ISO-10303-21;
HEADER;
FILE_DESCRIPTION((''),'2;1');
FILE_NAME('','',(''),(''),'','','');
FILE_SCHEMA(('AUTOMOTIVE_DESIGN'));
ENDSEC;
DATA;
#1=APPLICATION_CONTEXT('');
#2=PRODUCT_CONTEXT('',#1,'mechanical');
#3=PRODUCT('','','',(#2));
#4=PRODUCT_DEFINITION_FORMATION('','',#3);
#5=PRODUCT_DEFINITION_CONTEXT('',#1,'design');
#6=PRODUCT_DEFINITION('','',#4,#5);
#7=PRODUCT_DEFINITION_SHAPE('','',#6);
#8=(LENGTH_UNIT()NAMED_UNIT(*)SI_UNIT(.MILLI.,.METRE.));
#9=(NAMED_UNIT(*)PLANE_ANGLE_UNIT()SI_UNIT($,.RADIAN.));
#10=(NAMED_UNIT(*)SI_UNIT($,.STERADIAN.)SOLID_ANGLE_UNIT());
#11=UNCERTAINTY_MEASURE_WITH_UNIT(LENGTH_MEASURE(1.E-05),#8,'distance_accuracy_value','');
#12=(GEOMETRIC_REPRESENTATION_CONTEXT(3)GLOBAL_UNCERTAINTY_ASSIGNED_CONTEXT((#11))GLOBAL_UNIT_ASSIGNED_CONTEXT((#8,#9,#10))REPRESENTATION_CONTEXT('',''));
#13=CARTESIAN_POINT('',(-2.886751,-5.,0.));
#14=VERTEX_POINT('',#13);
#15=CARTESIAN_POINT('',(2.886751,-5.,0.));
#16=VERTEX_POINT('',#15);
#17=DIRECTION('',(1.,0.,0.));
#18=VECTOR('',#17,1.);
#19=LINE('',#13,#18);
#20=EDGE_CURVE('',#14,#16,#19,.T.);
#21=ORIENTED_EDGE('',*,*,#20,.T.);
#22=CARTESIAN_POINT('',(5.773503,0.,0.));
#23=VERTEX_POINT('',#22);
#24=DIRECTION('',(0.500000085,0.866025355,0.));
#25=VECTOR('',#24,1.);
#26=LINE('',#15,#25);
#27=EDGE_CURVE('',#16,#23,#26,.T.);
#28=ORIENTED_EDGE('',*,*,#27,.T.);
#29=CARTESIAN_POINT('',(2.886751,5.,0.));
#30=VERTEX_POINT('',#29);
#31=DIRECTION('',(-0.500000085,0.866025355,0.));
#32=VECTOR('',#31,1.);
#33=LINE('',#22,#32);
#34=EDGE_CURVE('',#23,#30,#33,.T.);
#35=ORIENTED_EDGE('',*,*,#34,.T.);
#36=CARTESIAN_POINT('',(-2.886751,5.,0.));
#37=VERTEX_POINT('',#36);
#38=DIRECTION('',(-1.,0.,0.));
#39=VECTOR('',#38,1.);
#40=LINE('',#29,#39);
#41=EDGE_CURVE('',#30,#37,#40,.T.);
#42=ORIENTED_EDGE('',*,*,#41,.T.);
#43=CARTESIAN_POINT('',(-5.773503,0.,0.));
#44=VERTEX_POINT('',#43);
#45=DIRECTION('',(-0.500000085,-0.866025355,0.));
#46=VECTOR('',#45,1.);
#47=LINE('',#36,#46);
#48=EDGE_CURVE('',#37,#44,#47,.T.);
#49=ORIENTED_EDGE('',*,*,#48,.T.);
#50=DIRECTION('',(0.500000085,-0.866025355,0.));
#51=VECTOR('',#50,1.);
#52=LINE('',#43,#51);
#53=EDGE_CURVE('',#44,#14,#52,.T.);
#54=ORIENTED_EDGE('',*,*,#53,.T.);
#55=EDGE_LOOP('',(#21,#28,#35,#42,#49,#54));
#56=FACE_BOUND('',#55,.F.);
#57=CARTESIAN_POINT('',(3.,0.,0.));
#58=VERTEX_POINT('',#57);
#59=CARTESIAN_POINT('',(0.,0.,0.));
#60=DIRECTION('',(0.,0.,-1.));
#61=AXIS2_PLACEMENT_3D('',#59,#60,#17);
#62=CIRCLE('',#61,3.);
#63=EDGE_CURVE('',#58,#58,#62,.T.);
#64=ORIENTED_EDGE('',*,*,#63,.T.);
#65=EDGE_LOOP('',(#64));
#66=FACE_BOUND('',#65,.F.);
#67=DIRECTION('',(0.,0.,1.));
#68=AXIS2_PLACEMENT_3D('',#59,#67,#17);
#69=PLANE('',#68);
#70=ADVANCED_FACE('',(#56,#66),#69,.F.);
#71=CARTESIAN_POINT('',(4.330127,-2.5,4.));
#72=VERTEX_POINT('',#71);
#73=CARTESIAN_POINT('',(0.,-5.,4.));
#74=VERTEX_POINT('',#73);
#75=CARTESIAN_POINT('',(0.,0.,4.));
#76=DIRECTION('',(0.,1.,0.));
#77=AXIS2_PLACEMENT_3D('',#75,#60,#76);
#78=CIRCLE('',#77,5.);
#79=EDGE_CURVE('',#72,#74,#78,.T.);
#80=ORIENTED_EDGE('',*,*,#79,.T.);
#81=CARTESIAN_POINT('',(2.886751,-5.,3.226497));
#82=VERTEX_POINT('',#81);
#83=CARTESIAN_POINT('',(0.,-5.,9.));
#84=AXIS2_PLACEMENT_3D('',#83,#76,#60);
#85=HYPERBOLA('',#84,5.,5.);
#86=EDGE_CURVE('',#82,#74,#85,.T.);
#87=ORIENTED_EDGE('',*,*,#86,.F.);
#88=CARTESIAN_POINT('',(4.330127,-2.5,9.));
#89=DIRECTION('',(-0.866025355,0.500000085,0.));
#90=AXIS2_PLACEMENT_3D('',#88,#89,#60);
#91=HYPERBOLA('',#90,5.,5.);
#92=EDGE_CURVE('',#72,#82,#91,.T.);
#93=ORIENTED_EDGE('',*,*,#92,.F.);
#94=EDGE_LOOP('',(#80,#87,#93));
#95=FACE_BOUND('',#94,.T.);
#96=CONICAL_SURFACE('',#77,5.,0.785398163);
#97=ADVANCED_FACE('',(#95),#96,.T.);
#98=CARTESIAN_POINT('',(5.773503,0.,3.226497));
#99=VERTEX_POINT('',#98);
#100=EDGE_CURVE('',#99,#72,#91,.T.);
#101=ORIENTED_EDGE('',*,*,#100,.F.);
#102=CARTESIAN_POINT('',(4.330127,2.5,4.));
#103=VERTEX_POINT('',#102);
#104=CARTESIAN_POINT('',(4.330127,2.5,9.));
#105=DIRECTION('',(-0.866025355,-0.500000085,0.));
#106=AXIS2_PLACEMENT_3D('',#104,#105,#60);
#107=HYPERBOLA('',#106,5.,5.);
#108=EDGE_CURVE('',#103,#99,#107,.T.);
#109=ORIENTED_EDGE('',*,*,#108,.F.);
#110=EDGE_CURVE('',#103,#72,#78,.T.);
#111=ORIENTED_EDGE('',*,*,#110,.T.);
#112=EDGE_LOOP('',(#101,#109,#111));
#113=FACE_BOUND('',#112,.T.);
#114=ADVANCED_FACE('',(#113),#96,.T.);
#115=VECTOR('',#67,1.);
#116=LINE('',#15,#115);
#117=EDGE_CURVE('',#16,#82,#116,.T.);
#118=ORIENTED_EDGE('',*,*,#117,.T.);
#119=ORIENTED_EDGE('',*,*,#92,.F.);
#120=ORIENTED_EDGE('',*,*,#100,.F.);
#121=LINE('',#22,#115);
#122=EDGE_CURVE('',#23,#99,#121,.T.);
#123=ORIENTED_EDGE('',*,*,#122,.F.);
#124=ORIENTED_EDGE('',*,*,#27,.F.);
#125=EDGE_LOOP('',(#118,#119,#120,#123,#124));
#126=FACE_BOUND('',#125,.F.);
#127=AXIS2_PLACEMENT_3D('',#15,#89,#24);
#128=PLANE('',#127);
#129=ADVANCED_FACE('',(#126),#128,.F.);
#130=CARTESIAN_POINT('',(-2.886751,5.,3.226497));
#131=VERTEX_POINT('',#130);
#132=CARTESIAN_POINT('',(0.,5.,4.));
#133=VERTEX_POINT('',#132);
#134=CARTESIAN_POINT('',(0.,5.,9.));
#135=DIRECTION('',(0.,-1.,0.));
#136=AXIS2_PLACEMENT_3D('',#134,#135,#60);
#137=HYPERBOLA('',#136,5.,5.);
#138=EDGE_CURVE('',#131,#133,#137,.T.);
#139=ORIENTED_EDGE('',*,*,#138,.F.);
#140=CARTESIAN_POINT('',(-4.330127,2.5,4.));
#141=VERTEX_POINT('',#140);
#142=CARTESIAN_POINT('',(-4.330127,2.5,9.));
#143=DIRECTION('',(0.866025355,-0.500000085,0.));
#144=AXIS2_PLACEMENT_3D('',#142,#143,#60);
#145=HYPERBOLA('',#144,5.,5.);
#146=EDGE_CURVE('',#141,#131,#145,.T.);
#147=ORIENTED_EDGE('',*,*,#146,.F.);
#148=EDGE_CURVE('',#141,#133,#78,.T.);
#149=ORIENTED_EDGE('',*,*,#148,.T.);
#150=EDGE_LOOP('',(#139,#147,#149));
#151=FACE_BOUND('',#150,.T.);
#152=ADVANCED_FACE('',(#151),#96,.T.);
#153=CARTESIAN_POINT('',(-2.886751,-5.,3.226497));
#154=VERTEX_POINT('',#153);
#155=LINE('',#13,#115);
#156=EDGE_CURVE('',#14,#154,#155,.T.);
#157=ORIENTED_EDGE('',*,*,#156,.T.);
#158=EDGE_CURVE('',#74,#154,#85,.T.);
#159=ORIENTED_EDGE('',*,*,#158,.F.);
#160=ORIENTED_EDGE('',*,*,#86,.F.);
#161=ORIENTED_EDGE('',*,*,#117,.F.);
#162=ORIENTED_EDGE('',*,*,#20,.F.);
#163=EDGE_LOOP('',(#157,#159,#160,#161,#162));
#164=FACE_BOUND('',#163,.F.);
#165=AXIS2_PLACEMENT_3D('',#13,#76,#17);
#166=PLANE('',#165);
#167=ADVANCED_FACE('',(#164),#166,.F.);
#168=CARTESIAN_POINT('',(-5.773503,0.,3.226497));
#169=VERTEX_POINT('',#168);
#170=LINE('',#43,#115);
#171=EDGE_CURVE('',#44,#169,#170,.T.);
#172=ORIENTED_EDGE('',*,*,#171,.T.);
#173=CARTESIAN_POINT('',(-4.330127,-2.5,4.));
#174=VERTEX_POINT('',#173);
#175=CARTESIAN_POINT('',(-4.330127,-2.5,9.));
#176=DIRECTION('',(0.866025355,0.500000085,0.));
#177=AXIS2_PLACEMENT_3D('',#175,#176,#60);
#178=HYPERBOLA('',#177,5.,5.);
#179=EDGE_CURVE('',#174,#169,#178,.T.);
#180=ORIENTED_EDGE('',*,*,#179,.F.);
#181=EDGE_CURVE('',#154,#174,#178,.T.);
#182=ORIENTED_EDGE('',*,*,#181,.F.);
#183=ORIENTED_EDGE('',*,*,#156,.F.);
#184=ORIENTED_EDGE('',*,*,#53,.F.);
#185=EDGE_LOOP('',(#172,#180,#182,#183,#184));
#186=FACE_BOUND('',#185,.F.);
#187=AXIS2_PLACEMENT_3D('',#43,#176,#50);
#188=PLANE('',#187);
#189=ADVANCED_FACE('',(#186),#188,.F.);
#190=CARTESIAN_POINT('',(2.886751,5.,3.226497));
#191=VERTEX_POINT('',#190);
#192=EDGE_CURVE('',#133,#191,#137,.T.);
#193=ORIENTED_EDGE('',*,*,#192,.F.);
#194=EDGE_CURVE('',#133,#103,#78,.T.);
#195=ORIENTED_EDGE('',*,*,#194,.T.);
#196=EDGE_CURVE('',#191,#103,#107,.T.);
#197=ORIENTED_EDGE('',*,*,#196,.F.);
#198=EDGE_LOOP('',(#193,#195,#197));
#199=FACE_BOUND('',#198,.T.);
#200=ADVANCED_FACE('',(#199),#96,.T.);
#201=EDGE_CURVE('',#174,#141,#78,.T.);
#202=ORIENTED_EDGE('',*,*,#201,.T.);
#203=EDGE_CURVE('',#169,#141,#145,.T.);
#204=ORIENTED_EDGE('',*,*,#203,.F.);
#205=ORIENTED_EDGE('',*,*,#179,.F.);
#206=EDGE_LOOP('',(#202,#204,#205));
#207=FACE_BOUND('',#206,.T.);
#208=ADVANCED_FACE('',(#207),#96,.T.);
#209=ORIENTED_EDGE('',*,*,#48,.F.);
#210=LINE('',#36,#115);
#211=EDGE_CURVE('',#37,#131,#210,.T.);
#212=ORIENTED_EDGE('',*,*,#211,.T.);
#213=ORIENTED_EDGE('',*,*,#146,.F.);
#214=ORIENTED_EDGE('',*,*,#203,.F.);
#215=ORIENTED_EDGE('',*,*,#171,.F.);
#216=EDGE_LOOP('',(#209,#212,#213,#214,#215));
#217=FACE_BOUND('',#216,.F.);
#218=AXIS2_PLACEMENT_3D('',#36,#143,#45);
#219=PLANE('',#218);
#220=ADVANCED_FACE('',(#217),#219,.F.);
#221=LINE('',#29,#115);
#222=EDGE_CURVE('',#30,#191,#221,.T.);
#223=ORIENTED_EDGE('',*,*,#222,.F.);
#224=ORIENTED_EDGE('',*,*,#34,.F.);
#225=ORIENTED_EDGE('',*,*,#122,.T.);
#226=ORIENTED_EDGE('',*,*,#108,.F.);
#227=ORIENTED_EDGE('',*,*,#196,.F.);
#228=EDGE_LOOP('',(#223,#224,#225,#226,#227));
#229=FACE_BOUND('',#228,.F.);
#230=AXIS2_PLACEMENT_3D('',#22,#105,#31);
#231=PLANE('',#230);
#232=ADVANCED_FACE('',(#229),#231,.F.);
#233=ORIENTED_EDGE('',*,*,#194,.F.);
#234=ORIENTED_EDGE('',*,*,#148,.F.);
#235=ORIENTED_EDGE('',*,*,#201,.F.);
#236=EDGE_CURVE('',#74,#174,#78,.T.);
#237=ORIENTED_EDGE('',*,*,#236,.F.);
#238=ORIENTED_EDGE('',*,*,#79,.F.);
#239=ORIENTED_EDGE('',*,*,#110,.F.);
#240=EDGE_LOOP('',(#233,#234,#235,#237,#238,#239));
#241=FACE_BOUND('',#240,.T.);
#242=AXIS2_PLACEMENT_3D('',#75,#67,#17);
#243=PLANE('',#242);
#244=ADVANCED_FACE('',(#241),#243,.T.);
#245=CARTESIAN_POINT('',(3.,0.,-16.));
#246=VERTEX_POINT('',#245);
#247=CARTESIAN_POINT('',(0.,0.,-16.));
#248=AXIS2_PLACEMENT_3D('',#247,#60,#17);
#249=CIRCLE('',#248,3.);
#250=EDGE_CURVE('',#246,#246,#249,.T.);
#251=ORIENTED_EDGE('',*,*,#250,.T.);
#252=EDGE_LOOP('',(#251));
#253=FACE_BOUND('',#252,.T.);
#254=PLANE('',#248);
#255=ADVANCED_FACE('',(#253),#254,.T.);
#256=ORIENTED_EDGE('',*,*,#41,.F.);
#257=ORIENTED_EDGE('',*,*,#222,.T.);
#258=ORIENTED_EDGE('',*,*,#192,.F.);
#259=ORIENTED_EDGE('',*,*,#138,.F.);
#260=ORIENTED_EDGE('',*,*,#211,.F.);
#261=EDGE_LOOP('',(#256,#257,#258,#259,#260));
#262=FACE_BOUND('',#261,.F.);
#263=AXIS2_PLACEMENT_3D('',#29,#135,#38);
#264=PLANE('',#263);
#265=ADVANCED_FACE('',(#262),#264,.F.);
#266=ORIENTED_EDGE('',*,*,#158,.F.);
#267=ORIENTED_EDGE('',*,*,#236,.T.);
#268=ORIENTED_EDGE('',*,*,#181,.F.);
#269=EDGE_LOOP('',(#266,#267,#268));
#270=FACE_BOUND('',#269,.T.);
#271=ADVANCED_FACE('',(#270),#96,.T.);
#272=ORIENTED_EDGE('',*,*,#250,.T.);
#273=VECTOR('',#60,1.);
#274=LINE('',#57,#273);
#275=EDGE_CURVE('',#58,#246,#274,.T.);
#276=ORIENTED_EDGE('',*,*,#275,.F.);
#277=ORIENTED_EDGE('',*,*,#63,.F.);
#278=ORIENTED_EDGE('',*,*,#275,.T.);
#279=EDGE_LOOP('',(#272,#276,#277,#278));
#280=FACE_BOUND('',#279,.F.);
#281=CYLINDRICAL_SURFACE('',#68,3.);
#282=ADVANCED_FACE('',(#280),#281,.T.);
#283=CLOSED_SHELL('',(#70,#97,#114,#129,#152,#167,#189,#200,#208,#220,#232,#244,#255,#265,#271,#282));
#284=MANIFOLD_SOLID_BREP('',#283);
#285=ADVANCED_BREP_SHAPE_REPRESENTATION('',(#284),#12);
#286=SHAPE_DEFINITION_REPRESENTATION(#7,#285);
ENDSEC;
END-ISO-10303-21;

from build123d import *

# Parameters (mm, degrees)
F1_DEPTH = 4
F2_R     = 3
F3_DEPTH = 16


with BuildPart() as f1:
    # F0 (on Top) → F1 (new body)
    with BuildSketch(Plane.XY):
        Polygon((-2.886751, -5), (2.886751, -5), (5.773503, 0), (2.886751, 5), (-2.886751, 5), (-5.773503, 0), align=None)
    extrude(amount=F1_DEPTH)

    # F2 (on face) → F3 (join)
    with BuildSketch(Plane(origin=(0, 0, 0), x_dir=(1, 0, 0), z_dir=(0, 0, -1))):
        Circle(F2_R)
    extrude(amount=F3_DEPTH)

    # F4 (on Right) → F5 (revolve, cut)
    with BuildSketch(Plane.YZ):
        Polygon((9, 4), (5, 4), (9, 0), align=None)
    revolve(axis=Axis((0, 0, -1.209494), (0, 0, -1)), mode=Mode.SUBTRACT)


solid = f1.part
